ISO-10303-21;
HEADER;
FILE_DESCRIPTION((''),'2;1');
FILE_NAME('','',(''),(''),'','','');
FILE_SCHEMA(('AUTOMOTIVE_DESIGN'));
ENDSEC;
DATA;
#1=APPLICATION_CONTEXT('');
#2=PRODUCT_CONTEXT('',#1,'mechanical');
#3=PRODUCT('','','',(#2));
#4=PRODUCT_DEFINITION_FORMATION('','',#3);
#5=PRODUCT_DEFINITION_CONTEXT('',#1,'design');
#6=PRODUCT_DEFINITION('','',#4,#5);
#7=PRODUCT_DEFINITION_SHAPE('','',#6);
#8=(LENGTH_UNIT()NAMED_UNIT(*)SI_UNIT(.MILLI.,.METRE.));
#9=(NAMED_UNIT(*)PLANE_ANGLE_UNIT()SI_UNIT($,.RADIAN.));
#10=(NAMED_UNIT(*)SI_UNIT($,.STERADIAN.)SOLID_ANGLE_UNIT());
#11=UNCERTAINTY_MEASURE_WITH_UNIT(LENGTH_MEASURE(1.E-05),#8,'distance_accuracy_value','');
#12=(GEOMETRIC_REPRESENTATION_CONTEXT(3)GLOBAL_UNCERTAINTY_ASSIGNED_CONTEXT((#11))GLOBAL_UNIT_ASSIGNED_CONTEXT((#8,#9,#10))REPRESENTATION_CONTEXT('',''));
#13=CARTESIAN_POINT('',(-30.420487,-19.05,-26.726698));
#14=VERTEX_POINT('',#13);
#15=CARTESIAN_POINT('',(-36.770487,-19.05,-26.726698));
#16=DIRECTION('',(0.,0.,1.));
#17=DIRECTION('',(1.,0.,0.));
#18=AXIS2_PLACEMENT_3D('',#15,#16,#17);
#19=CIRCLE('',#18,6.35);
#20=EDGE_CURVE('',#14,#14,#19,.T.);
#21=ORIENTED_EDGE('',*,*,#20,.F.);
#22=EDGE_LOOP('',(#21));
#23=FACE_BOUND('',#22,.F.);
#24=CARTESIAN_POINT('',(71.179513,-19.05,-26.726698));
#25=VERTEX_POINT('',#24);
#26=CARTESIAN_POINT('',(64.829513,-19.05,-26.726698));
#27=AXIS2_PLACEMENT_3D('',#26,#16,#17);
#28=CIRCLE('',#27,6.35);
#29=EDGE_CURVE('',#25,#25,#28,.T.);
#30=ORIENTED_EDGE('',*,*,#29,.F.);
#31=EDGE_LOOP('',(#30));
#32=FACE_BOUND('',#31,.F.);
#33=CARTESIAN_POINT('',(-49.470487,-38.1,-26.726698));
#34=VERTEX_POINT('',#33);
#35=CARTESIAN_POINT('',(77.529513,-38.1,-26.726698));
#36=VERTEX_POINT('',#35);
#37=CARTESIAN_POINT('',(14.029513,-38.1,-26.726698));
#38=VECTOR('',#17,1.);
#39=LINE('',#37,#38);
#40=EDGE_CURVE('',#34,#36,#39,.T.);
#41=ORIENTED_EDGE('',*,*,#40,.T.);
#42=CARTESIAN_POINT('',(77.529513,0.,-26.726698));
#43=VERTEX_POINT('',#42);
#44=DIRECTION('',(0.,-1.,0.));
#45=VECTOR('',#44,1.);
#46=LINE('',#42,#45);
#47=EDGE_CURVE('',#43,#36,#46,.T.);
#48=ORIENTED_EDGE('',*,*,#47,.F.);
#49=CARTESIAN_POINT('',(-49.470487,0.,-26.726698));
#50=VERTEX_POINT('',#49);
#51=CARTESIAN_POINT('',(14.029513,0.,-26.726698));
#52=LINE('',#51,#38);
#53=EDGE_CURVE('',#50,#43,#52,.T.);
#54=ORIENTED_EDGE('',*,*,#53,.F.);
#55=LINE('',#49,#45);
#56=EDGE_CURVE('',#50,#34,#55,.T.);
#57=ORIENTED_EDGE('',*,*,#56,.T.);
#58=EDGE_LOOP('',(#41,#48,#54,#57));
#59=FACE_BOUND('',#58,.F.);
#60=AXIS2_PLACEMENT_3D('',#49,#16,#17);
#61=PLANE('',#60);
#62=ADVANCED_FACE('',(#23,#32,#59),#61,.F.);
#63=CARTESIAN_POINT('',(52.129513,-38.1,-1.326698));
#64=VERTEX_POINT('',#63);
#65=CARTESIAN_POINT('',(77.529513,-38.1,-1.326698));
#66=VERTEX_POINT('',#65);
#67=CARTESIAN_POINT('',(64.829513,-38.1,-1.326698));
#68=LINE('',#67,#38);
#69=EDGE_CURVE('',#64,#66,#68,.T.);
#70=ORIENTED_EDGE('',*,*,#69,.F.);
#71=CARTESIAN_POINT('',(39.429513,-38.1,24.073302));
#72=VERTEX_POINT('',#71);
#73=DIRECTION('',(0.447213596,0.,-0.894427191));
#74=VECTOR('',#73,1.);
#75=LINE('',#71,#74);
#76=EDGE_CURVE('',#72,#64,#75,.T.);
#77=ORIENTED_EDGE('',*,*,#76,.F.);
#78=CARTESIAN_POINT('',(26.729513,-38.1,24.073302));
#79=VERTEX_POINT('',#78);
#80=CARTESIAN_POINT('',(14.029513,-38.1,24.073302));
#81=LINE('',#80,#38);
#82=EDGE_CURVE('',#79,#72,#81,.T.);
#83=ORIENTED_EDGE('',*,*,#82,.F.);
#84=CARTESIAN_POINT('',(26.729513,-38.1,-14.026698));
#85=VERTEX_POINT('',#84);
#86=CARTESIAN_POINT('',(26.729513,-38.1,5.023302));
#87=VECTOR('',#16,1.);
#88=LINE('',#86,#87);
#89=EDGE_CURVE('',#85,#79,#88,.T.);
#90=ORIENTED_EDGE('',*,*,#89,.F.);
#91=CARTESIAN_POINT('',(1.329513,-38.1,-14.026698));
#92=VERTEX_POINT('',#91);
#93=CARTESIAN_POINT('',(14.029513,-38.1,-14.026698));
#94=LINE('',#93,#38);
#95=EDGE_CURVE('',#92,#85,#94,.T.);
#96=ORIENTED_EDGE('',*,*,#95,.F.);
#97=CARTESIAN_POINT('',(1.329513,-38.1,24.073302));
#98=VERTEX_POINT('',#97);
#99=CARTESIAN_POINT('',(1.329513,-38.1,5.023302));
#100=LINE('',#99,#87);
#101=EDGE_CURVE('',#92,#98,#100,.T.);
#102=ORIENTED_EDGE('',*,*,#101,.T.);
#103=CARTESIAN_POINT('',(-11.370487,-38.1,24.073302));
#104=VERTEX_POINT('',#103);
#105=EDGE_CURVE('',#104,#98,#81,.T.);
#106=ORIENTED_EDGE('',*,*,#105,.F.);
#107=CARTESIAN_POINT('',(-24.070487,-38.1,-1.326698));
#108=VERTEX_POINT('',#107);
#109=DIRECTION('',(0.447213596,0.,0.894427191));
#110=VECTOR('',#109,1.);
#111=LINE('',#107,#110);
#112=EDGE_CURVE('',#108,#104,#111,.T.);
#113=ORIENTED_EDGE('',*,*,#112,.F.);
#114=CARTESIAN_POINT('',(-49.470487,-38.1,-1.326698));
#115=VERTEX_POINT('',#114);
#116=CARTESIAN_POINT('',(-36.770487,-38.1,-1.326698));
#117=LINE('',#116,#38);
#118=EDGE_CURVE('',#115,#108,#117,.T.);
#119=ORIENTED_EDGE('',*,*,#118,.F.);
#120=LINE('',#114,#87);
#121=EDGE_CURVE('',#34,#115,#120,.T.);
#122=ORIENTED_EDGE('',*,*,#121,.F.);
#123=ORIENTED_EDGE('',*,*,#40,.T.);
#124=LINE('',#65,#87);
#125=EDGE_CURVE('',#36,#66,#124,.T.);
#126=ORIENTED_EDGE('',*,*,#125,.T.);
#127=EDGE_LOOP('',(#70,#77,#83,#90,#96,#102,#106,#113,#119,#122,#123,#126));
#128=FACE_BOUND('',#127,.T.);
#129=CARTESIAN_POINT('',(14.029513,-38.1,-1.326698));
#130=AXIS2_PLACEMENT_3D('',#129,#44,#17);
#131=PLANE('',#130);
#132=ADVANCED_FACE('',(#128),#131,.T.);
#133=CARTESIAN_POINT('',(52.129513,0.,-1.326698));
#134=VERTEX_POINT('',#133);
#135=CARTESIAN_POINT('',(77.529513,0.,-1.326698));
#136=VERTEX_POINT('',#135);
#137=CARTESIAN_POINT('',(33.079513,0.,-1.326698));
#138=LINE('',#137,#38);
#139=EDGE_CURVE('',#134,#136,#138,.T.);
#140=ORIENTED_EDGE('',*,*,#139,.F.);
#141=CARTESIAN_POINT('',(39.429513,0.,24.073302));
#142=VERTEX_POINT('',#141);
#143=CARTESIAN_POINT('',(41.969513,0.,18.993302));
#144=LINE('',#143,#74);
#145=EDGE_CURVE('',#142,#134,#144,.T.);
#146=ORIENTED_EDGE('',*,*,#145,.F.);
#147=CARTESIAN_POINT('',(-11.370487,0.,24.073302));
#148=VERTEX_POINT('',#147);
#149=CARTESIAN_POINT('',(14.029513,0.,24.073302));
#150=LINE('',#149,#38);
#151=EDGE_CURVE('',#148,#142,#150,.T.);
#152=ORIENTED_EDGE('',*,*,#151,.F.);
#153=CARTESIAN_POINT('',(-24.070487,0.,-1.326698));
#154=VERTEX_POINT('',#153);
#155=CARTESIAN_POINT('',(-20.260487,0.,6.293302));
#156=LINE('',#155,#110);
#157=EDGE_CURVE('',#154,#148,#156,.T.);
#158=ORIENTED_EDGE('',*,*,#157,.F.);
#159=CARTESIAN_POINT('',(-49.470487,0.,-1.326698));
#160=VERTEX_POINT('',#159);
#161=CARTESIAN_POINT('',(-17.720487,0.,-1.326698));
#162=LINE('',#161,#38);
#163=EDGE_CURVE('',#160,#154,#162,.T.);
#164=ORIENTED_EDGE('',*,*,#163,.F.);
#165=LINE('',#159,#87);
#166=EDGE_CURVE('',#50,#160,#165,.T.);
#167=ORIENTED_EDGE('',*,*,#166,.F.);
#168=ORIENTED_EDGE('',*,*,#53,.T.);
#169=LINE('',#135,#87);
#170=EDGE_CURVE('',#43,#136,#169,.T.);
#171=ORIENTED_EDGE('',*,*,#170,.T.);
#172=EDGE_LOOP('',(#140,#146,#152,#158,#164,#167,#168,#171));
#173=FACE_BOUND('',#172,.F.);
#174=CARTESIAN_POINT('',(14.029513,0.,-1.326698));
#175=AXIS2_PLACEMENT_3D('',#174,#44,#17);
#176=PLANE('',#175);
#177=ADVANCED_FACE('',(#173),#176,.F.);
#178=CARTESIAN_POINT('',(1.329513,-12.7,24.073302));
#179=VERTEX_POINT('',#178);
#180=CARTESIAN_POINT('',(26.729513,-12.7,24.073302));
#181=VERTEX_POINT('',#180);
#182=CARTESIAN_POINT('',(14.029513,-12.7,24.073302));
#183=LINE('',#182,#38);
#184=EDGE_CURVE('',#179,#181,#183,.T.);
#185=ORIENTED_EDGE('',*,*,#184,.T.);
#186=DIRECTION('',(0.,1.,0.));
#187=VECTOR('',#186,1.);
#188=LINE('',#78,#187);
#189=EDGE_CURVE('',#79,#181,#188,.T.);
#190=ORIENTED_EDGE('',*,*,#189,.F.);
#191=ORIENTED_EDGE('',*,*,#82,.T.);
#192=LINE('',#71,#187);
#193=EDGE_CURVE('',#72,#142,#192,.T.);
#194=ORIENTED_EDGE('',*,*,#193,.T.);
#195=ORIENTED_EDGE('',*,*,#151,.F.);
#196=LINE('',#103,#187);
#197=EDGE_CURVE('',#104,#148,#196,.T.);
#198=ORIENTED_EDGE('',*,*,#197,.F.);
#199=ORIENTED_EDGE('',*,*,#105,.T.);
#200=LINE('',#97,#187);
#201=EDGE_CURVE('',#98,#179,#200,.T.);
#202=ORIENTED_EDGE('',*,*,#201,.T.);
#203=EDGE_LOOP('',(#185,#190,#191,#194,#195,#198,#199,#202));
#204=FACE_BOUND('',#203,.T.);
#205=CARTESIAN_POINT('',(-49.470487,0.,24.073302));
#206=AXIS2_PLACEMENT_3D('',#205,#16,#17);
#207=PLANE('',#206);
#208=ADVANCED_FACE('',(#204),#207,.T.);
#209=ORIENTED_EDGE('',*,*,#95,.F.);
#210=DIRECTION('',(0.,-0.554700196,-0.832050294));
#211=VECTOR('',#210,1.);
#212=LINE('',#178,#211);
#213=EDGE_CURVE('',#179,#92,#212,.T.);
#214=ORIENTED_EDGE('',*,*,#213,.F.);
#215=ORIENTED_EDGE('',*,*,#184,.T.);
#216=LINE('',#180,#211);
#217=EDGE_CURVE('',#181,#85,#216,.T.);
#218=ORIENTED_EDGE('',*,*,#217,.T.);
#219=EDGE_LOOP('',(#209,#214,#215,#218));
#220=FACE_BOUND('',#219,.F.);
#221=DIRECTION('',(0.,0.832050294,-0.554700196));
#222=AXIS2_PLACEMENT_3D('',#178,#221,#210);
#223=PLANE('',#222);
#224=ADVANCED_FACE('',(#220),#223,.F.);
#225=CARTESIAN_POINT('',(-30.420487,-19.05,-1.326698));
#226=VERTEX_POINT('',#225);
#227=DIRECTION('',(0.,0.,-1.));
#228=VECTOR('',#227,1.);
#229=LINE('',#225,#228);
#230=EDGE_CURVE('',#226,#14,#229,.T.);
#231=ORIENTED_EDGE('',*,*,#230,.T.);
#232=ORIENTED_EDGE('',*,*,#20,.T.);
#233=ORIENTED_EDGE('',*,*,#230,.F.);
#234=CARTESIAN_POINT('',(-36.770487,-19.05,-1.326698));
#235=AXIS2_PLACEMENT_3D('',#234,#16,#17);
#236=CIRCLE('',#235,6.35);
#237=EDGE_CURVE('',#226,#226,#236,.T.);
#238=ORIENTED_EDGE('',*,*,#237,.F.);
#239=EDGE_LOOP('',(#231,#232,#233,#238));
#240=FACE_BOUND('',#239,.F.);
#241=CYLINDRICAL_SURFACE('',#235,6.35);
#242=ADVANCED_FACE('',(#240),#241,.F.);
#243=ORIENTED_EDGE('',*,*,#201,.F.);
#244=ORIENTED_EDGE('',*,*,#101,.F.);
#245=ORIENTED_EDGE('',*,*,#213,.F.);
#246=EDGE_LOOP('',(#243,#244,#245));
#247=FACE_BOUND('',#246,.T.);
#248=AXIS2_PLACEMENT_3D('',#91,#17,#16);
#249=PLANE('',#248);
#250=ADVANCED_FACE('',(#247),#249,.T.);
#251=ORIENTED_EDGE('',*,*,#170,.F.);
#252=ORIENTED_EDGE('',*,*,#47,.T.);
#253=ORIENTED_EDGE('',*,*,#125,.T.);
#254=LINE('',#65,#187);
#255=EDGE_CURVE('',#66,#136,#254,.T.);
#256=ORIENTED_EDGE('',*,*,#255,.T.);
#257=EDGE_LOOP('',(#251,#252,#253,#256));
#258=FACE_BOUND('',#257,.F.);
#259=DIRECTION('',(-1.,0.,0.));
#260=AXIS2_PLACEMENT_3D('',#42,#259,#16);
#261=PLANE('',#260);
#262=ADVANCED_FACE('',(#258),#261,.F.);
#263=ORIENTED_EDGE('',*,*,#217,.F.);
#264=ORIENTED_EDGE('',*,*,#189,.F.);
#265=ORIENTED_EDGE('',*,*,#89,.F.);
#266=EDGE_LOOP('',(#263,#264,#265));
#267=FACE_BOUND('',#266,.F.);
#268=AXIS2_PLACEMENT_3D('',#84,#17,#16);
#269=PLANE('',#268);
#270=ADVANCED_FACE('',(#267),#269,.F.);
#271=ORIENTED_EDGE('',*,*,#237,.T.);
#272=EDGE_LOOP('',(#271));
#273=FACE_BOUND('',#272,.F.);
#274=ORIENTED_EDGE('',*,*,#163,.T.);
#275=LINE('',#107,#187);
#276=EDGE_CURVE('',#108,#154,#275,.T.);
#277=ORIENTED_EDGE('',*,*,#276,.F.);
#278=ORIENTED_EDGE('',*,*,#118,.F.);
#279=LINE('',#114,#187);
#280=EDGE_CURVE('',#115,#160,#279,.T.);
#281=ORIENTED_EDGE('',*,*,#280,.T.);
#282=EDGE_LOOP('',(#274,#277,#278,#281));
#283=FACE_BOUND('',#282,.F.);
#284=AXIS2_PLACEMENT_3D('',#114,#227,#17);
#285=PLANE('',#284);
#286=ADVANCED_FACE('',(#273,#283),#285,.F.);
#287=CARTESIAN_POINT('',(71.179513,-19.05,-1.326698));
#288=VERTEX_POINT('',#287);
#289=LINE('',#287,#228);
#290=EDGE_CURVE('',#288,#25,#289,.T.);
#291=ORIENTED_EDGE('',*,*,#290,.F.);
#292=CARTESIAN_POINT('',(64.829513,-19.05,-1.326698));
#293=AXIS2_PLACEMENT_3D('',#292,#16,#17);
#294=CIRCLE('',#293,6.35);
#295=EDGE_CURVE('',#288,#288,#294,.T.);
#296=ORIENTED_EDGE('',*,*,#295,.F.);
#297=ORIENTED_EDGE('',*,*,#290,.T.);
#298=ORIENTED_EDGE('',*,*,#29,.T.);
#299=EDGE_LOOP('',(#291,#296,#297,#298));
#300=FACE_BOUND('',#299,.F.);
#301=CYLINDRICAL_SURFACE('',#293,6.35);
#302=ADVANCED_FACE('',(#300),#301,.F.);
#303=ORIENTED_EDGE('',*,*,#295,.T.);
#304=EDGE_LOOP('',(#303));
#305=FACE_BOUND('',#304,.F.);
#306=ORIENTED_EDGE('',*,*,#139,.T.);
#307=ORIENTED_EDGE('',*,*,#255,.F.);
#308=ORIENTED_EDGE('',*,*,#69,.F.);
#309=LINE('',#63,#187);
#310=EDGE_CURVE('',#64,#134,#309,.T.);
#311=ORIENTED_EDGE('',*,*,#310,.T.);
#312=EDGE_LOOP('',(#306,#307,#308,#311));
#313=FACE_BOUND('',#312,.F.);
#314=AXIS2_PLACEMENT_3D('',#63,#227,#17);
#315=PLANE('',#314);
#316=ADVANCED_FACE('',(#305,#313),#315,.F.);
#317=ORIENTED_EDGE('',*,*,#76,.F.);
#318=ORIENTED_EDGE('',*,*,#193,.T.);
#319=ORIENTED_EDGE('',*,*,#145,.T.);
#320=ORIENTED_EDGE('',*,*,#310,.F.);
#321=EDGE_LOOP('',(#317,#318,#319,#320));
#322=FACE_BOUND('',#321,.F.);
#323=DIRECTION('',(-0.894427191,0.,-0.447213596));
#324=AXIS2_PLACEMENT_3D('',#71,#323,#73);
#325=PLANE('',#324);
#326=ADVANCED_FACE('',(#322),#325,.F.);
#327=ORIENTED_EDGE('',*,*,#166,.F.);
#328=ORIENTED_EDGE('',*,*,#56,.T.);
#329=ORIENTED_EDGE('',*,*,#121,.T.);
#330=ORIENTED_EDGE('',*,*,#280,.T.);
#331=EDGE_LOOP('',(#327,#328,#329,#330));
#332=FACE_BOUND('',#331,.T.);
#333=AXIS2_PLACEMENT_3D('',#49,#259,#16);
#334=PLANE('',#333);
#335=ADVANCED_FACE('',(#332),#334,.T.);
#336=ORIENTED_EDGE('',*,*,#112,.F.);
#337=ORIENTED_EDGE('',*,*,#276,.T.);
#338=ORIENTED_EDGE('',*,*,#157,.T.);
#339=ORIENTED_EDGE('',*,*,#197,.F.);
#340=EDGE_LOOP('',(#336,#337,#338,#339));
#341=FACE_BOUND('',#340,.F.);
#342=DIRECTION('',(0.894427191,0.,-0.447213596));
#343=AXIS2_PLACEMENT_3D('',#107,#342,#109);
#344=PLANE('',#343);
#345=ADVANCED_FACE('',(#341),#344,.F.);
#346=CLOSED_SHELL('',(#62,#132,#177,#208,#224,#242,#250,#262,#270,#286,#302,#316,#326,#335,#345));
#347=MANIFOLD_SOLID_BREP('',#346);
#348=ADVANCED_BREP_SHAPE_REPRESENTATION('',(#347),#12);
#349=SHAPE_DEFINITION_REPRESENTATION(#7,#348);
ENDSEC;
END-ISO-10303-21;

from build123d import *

# Parameters (mm, degrees)
F0_W      = 127
F0_H      = 50.8
F1_DEPTH  = 38.1
F2_W      = 25.4
F2_H      = 25.4
F3_DEPTH  = 38.101
F5_DEPTH  = 38.101
F8_R      = 6.35
F7_R      = 6.35
F9_DEPTH  = 25.401
F6_W      = 25.4
F6_H      = 38.1
F10_DEPTH = 25.4
F12_DEPTH = 25.4


with BuildPart() as f1:
    # F0 (on Front) → F1 (new body)
    with BuildSketch(Plane.XZ):
        with Locations((14.029513, -1.326698)):
            Rectangle(F0_W, F0_H)
    extrude(amount=F1_DEPTH)

    # F2 (on face) → F3 (cut, through all)
    with BuildSketch(Plane.XZ.offset(38.1)):
        with Locations((-36.770487, 11.373302)):
            Rectangle(F2_W, F2_H)
        with Locations((64.829513, 11.373302)):
            Rectangle(F2_W, F2_H)
    extrude(amount=-F3_DEPTH, mode=Mode.SUBTRACT)

    # F4 (on face) → F5 (cut, through all)
    with BuildSketch(Plane.XZ.offset(38.1)):
        Polygon((-24.070487, 24.073302), (-24.070487, -1.326698), (-11.370487, 24.073302), align=None)
        Polygon((52.129513, 24.073302), (39.429513, 24.073302), (52.129513, -1.326698), align=None)
    extrude(amount=-F5_DEPTH, mode=Mode.SUBTRACT)

    # F8 (on face) + F7 (on face) → F9 (cut, through all)
    with BuildSketch(Plane.XY.offset(-1.326698)):
        with Locations((64.829513, -19.05)):
            Circle(F8_R)
    with BuildSketch(Plane.XY.offset(-1.326698)):
        with Locations((-36.770487, -19.05)):
            Circle(F7_R)
    extrude(amount=-F9_DEPTH, mode=Mode.SUBTRACT)

    # F6 (on face) → F10 (cut)
    with BuildSketch(Plane.XZ.offset(38.1)):
        with Locations((14.029513, 5.023302)):
            Rectangle(F6_W, F6_H)
    extrude(amount=-F10_DEPTH, mode=Mode.SUBTRACT)

    # F11 (on face) → F12 (join)
    with BuildSketch(Plane.YZ.offset(1.329513)):
        Polygon((-12.7, 24.073302), (-38.1, -14.026698), (-12.7, -14.026698), align=None)
    extrude(amount=F12_DEPTH)


solid = f1.part
